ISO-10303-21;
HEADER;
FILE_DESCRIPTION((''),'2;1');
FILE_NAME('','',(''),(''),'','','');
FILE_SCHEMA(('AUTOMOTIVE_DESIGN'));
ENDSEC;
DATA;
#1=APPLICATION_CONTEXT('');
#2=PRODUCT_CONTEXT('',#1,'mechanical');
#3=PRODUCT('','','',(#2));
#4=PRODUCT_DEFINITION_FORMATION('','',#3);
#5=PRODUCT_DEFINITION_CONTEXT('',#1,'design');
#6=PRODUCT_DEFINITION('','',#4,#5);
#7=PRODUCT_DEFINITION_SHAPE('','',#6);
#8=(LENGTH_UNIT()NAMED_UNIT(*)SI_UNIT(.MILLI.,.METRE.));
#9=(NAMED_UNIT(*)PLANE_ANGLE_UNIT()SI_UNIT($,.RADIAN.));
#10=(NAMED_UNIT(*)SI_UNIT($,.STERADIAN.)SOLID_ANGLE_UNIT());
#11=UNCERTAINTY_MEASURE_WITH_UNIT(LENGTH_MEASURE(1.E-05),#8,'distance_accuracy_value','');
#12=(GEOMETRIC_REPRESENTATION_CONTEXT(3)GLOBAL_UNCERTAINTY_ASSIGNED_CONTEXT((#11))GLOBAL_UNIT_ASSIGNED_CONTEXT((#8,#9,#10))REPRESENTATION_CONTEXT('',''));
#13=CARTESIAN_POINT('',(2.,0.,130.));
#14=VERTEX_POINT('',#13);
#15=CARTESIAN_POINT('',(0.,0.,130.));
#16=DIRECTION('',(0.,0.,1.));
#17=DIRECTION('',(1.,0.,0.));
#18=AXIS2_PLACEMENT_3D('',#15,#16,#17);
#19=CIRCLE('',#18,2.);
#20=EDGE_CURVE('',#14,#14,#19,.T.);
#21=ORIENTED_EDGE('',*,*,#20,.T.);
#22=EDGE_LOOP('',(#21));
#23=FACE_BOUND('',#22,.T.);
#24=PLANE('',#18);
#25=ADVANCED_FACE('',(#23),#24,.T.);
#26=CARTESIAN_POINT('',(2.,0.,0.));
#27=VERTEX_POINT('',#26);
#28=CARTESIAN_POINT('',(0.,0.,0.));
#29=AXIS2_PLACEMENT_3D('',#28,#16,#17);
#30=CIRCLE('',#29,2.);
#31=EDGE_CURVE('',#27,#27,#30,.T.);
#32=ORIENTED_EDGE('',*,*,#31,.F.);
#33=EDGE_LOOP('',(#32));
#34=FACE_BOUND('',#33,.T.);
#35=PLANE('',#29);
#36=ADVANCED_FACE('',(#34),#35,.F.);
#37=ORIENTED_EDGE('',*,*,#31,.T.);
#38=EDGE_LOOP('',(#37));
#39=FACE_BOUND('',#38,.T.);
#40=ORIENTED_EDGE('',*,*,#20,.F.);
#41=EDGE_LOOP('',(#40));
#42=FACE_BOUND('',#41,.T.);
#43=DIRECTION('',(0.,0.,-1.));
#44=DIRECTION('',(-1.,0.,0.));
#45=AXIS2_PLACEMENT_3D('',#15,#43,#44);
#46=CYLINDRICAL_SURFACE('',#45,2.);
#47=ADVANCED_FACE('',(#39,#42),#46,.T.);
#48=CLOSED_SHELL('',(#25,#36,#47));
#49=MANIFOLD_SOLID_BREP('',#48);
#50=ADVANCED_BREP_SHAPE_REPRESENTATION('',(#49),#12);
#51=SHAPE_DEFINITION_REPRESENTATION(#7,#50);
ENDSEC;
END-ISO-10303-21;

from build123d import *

# Parameters (mm, degrees)
SKETCH1_R           = 2
BOSS_EXTRUDE1_DEPTH = 130


with BuildPart() as part:
    # Sketch1 → Boss-Extrude1 (new body)
    with BuildSketch(Plane.XY):
        Circle(SKETCH1_R)
    extrude(amount=BOSS_EXTRUDE1_DEPTH)


solid = part.part
